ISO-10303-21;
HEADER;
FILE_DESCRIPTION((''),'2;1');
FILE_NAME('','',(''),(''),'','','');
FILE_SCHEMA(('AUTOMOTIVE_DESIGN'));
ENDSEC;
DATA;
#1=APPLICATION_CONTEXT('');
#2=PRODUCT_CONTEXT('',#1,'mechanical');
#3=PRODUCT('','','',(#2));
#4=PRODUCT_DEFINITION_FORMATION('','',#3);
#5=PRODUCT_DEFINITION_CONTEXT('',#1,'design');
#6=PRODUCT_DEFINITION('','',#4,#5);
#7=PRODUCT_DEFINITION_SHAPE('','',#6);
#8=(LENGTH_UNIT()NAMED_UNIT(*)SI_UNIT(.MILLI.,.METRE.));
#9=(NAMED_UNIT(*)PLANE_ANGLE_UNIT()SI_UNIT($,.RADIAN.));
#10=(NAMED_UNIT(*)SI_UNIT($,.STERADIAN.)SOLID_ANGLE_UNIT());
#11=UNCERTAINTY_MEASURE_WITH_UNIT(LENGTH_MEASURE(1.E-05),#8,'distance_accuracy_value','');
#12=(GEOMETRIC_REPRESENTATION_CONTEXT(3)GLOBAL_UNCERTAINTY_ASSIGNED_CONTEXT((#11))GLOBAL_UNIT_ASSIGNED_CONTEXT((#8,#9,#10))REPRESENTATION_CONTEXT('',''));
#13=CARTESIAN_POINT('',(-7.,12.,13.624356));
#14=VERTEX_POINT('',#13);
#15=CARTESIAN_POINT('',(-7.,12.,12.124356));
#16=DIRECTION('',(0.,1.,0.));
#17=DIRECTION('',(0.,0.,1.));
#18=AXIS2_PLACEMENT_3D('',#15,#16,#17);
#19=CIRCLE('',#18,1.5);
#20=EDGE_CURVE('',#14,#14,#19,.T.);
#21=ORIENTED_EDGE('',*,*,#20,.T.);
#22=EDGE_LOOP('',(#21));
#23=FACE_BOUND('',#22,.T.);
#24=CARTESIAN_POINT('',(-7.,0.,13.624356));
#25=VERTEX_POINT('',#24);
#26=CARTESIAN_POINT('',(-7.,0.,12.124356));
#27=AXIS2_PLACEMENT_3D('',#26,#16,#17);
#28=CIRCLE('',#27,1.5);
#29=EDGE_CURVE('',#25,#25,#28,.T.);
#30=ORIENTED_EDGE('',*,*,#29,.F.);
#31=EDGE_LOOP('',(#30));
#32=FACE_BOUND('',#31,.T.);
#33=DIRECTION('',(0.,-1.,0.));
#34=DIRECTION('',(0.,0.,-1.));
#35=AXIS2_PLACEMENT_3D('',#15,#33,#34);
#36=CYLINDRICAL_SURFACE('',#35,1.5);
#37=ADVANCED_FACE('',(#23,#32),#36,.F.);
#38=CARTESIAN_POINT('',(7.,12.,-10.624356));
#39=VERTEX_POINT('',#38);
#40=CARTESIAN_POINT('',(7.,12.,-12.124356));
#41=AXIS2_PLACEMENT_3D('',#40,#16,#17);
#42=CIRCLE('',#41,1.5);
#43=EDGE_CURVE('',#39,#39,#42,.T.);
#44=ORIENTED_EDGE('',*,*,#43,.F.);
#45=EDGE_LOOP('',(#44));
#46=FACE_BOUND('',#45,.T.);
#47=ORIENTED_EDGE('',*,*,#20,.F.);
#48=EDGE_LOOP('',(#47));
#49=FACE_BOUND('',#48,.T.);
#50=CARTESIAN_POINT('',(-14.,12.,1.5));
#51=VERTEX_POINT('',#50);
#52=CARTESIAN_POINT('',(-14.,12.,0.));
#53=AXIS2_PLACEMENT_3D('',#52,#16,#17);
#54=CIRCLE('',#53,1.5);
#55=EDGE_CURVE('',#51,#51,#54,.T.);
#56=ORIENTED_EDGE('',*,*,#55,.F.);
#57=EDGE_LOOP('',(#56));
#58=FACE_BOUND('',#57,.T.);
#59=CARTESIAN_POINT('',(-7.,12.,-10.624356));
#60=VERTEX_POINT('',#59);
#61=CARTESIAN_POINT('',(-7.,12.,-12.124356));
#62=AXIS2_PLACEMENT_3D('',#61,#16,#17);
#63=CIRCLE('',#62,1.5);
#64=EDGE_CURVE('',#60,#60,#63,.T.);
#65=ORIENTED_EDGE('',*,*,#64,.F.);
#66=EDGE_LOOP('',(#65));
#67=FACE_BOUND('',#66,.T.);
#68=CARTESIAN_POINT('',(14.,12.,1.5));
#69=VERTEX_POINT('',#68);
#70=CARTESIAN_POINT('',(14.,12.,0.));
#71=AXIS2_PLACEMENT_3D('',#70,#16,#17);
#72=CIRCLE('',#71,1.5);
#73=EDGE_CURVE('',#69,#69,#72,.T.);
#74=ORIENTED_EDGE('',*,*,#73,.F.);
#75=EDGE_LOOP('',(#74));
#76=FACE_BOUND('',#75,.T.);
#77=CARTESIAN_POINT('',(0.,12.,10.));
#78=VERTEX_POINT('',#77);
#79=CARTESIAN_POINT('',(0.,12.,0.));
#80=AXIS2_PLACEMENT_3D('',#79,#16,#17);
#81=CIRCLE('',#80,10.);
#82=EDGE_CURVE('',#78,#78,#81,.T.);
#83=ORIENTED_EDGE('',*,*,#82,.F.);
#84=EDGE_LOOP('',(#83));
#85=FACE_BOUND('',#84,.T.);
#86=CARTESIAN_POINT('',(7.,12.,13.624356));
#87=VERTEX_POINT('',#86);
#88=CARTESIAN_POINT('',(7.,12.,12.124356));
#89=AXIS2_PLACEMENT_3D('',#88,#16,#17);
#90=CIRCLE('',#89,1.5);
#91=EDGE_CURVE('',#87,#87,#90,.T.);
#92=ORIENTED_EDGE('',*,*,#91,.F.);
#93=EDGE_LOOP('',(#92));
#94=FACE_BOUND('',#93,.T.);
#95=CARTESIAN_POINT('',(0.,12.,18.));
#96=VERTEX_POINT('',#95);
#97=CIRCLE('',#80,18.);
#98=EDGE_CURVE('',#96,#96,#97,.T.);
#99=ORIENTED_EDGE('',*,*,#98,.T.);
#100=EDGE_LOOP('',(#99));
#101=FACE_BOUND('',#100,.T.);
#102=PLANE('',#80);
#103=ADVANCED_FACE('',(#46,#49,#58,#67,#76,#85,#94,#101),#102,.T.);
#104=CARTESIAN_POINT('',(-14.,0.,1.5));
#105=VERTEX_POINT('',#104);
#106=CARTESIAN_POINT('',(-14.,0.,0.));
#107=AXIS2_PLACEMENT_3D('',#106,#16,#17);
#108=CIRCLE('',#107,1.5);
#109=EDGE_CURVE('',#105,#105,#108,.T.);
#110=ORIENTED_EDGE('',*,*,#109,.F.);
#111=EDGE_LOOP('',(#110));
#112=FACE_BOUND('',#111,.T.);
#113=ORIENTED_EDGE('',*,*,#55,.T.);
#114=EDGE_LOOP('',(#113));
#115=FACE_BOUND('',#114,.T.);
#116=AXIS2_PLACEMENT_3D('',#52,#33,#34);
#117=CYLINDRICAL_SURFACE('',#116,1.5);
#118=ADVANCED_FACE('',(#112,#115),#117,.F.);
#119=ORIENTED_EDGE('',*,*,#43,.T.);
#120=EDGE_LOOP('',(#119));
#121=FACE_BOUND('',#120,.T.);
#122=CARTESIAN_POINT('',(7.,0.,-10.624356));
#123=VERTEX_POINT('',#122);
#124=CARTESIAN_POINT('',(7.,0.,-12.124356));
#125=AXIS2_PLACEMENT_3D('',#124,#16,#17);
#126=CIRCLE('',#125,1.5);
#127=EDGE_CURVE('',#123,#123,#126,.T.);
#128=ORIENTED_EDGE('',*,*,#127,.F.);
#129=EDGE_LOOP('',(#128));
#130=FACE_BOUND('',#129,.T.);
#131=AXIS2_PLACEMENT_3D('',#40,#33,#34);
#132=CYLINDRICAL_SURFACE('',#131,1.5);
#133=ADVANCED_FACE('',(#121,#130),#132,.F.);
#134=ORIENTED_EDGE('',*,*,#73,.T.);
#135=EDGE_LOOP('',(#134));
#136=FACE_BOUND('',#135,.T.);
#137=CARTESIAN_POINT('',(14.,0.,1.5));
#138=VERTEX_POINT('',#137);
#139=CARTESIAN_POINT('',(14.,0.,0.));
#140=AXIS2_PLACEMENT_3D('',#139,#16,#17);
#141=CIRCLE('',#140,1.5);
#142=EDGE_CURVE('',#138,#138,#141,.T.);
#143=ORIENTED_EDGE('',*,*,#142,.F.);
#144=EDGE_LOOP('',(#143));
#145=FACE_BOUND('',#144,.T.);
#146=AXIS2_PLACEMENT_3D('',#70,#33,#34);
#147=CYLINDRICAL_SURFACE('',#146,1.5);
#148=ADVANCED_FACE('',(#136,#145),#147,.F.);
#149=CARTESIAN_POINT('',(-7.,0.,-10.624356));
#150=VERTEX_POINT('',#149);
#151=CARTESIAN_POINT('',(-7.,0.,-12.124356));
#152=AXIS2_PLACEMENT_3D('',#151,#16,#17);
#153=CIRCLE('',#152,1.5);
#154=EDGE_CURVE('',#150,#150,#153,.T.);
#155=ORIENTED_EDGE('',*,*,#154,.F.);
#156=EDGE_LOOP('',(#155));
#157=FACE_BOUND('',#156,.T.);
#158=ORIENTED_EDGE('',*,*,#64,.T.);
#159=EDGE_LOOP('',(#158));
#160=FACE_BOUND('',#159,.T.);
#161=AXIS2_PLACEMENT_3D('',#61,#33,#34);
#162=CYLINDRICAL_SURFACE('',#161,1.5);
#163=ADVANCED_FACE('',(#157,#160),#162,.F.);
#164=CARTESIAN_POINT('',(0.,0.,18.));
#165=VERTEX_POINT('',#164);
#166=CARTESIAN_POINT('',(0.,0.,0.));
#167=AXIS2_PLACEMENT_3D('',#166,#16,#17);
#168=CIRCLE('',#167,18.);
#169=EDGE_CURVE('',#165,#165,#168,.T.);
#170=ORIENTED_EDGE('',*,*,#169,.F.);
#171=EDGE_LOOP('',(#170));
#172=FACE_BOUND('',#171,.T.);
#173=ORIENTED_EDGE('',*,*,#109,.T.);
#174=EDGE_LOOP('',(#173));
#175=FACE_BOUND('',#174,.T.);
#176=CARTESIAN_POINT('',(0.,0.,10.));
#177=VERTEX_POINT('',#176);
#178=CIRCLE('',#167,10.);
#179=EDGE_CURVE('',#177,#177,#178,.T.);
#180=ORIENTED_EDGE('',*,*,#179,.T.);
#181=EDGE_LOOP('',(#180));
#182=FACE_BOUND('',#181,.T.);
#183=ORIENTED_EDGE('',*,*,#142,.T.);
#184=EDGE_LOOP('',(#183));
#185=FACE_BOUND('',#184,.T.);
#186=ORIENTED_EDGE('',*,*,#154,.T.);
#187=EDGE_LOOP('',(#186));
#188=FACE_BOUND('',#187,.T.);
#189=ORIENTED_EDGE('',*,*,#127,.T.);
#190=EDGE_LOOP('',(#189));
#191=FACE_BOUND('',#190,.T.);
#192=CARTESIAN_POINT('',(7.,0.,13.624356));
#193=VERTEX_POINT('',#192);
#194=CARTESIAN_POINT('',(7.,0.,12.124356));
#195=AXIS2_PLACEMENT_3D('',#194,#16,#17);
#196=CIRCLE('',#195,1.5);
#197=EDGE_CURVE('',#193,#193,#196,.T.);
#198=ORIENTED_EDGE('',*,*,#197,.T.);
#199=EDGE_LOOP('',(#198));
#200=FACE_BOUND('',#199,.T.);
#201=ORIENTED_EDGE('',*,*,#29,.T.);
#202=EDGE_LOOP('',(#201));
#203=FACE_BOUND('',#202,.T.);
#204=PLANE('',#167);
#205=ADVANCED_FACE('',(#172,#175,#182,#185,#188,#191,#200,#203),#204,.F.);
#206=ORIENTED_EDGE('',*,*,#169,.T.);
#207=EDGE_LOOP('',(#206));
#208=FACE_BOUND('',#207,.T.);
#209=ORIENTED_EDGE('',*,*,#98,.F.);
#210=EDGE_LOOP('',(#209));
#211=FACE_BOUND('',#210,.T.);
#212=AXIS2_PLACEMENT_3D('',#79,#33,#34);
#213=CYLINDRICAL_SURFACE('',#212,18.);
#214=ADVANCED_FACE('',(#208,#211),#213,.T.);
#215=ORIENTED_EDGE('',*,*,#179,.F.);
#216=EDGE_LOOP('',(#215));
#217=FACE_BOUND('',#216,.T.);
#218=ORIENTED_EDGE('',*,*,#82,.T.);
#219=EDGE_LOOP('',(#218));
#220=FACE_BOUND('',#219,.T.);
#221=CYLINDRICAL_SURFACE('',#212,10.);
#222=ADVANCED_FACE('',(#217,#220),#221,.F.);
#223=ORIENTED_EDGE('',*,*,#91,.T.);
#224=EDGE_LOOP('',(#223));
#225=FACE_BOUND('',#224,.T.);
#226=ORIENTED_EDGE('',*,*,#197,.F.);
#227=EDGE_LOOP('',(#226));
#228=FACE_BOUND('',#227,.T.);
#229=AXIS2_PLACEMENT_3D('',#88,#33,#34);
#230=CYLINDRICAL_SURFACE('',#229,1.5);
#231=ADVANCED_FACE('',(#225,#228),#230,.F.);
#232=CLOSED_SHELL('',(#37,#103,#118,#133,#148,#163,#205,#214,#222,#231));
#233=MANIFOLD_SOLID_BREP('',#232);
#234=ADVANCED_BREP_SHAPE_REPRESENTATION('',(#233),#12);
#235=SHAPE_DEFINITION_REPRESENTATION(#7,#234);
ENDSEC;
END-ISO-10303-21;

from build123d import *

# Parameters (mm, degrees)
SKETCH_1_R      = 18
SKETCH_1_R_2    = 10
SKETCH_1_R_3    = 1.5
EXTRUDE_1_DEPTH = 12


with BuildPart() as part:
    # 草图1 → 凸台-拉伸1 (new body)
    with BuildSketch(Plane(origin=(0, 0, 0), x_dir=(1, 0, 0), z_dir=(0, 1, 0))):
        with Locations(Location((0, 0, 0), (0, 0, 270))):
            Circle(SKETCH_1_R)
        with Locations(Location((0, 0, 0), (0, 0, 270))):
            Circle(SKETCH_1_R_2, mode=Mode.SUBTRACT)
        with Locations(Location((-14, 0, 0), (0, 0, 270))):
            Circle(SKETCH_1_R_3, mode=Mode.SUBTRACT)
        with Locations(Location((-7, 12.124355653, 0), (0, 0, 270))):
            Circle(SKETCH_1_R_3, mode=Mode.SUBTRACT)
        with Locations(Location((7, 12.124355653, 0), (0, 0, 270))):
            Circle(SKETCH_1_R_3, mode=Mode.SUBTRACT)
        with Locations(Location((14, 0, 0), (0, 0, 270))):
            Circle(SKETCH_1_R_3, mode=Mode.SUBTRACT)
        with Locations(Location((7, -12.124355653, 0), (0, 0, 270))):
            Circle(SKETCH_1_R_3, mode=Mode.SUBTRACT)
        with Locations(Location((-7, -12.124355653, 0), (0, 0, 270))):
            Circle(SKETCH_1_R_3, mode=Mode.SUBTRACT)
    extrude(amount=EXTRUDE_1_DEPTH)


solid = part.part
